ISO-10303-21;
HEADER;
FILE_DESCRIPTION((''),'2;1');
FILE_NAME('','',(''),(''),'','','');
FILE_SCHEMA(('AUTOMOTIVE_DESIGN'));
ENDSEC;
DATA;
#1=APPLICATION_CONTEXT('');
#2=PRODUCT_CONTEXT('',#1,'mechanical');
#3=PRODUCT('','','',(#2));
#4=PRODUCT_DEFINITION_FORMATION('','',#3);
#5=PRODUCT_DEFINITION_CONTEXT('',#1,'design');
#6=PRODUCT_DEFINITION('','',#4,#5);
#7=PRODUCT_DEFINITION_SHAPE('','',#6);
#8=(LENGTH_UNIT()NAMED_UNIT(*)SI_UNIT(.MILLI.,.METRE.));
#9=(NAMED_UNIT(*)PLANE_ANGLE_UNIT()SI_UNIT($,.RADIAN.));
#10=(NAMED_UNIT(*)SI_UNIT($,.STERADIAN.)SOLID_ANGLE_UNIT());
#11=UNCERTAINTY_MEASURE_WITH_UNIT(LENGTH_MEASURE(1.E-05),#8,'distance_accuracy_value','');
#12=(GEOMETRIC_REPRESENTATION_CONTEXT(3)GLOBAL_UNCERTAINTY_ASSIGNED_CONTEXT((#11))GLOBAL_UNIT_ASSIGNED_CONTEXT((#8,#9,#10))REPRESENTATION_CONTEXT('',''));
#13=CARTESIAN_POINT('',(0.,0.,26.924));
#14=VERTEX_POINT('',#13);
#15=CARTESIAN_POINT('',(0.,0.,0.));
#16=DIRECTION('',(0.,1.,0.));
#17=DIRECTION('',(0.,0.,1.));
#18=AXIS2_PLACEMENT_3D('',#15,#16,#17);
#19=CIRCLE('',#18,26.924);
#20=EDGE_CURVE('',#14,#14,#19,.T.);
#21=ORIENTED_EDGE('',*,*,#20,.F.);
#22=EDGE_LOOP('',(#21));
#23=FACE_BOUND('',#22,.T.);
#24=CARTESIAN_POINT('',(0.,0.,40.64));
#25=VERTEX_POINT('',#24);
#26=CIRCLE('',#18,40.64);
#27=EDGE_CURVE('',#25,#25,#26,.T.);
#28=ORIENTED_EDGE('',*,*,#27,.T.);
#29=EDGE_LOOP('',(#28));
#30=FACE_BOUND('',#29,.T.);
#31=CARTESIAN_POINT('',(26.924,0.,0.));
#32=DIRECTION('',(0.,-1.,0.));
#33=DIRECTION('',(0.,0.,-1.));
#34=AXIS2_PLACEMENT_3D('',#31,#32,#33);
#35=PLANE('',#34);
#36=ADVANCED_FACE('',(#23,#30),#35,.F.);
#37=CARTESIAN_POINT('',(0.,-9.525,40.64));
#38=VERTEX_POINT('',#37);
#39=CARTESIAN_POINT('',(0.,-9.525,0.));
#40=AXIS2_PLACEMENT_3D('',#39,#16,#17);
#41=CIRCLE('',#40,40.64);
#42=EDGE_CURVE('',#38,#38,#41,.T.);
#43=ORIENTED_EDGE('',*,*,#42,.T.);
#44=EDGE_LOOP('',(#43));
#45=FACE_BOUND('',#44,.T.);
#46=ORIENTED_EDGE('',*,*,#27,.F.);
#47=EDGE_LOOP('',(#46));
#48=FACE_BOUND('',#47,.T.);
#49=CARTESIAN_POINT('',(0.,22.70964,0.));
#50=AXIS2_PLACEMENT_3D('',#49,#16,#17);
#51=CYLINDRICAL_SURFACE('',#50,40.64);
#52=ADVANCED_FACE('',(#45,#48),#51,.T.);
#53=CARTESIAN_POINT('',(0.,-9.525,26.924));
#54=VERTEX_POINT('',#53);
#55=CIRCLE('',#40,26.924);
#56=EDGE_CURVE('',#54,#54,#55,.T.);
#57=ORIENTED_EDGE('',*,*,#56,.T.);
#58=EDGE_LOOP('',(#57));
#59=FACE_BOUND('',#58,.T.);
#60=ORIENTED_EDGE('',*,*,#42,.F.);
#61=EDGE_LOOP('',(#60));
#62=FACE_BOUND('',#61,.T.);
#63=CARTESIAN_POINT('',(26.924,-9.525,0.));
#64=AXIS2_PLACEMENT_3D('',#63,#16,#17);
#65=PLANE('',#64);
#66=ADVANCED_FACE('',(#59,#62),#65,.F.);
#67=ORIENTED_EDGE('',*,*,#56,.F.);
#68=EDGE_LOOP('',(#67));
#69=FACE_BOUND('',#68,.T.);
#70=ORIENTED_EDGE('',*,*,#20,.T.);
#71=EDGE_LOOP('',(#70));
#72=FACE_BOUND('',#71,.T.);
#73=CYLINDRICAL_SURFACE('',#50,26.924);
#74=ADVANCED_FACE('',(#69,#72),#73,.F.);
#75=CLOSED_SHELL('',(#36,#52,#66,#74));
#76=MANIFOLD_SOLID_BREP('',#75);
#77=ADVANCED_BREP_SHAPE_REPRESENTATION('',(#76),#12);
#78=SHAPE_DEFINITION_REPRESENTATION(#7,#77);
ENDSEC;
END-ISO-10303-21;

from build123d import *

# Parameters (mm, degrees)
SKETCH1_W = 13.716
SKETCH1_H = 9.525


with BuildPart() as part:
    # Sketch1 → Revolve1 (revolve)
    with BuildSketch(Plane.XY):
        with Locations((33.782, -4.7625)):
            Rectangle(SKETCH1_W, SKETCH1_H)
    revolve(axis=Axis((0, 22.709640493, 0), (0, -1, 0)))


solid = part.part
